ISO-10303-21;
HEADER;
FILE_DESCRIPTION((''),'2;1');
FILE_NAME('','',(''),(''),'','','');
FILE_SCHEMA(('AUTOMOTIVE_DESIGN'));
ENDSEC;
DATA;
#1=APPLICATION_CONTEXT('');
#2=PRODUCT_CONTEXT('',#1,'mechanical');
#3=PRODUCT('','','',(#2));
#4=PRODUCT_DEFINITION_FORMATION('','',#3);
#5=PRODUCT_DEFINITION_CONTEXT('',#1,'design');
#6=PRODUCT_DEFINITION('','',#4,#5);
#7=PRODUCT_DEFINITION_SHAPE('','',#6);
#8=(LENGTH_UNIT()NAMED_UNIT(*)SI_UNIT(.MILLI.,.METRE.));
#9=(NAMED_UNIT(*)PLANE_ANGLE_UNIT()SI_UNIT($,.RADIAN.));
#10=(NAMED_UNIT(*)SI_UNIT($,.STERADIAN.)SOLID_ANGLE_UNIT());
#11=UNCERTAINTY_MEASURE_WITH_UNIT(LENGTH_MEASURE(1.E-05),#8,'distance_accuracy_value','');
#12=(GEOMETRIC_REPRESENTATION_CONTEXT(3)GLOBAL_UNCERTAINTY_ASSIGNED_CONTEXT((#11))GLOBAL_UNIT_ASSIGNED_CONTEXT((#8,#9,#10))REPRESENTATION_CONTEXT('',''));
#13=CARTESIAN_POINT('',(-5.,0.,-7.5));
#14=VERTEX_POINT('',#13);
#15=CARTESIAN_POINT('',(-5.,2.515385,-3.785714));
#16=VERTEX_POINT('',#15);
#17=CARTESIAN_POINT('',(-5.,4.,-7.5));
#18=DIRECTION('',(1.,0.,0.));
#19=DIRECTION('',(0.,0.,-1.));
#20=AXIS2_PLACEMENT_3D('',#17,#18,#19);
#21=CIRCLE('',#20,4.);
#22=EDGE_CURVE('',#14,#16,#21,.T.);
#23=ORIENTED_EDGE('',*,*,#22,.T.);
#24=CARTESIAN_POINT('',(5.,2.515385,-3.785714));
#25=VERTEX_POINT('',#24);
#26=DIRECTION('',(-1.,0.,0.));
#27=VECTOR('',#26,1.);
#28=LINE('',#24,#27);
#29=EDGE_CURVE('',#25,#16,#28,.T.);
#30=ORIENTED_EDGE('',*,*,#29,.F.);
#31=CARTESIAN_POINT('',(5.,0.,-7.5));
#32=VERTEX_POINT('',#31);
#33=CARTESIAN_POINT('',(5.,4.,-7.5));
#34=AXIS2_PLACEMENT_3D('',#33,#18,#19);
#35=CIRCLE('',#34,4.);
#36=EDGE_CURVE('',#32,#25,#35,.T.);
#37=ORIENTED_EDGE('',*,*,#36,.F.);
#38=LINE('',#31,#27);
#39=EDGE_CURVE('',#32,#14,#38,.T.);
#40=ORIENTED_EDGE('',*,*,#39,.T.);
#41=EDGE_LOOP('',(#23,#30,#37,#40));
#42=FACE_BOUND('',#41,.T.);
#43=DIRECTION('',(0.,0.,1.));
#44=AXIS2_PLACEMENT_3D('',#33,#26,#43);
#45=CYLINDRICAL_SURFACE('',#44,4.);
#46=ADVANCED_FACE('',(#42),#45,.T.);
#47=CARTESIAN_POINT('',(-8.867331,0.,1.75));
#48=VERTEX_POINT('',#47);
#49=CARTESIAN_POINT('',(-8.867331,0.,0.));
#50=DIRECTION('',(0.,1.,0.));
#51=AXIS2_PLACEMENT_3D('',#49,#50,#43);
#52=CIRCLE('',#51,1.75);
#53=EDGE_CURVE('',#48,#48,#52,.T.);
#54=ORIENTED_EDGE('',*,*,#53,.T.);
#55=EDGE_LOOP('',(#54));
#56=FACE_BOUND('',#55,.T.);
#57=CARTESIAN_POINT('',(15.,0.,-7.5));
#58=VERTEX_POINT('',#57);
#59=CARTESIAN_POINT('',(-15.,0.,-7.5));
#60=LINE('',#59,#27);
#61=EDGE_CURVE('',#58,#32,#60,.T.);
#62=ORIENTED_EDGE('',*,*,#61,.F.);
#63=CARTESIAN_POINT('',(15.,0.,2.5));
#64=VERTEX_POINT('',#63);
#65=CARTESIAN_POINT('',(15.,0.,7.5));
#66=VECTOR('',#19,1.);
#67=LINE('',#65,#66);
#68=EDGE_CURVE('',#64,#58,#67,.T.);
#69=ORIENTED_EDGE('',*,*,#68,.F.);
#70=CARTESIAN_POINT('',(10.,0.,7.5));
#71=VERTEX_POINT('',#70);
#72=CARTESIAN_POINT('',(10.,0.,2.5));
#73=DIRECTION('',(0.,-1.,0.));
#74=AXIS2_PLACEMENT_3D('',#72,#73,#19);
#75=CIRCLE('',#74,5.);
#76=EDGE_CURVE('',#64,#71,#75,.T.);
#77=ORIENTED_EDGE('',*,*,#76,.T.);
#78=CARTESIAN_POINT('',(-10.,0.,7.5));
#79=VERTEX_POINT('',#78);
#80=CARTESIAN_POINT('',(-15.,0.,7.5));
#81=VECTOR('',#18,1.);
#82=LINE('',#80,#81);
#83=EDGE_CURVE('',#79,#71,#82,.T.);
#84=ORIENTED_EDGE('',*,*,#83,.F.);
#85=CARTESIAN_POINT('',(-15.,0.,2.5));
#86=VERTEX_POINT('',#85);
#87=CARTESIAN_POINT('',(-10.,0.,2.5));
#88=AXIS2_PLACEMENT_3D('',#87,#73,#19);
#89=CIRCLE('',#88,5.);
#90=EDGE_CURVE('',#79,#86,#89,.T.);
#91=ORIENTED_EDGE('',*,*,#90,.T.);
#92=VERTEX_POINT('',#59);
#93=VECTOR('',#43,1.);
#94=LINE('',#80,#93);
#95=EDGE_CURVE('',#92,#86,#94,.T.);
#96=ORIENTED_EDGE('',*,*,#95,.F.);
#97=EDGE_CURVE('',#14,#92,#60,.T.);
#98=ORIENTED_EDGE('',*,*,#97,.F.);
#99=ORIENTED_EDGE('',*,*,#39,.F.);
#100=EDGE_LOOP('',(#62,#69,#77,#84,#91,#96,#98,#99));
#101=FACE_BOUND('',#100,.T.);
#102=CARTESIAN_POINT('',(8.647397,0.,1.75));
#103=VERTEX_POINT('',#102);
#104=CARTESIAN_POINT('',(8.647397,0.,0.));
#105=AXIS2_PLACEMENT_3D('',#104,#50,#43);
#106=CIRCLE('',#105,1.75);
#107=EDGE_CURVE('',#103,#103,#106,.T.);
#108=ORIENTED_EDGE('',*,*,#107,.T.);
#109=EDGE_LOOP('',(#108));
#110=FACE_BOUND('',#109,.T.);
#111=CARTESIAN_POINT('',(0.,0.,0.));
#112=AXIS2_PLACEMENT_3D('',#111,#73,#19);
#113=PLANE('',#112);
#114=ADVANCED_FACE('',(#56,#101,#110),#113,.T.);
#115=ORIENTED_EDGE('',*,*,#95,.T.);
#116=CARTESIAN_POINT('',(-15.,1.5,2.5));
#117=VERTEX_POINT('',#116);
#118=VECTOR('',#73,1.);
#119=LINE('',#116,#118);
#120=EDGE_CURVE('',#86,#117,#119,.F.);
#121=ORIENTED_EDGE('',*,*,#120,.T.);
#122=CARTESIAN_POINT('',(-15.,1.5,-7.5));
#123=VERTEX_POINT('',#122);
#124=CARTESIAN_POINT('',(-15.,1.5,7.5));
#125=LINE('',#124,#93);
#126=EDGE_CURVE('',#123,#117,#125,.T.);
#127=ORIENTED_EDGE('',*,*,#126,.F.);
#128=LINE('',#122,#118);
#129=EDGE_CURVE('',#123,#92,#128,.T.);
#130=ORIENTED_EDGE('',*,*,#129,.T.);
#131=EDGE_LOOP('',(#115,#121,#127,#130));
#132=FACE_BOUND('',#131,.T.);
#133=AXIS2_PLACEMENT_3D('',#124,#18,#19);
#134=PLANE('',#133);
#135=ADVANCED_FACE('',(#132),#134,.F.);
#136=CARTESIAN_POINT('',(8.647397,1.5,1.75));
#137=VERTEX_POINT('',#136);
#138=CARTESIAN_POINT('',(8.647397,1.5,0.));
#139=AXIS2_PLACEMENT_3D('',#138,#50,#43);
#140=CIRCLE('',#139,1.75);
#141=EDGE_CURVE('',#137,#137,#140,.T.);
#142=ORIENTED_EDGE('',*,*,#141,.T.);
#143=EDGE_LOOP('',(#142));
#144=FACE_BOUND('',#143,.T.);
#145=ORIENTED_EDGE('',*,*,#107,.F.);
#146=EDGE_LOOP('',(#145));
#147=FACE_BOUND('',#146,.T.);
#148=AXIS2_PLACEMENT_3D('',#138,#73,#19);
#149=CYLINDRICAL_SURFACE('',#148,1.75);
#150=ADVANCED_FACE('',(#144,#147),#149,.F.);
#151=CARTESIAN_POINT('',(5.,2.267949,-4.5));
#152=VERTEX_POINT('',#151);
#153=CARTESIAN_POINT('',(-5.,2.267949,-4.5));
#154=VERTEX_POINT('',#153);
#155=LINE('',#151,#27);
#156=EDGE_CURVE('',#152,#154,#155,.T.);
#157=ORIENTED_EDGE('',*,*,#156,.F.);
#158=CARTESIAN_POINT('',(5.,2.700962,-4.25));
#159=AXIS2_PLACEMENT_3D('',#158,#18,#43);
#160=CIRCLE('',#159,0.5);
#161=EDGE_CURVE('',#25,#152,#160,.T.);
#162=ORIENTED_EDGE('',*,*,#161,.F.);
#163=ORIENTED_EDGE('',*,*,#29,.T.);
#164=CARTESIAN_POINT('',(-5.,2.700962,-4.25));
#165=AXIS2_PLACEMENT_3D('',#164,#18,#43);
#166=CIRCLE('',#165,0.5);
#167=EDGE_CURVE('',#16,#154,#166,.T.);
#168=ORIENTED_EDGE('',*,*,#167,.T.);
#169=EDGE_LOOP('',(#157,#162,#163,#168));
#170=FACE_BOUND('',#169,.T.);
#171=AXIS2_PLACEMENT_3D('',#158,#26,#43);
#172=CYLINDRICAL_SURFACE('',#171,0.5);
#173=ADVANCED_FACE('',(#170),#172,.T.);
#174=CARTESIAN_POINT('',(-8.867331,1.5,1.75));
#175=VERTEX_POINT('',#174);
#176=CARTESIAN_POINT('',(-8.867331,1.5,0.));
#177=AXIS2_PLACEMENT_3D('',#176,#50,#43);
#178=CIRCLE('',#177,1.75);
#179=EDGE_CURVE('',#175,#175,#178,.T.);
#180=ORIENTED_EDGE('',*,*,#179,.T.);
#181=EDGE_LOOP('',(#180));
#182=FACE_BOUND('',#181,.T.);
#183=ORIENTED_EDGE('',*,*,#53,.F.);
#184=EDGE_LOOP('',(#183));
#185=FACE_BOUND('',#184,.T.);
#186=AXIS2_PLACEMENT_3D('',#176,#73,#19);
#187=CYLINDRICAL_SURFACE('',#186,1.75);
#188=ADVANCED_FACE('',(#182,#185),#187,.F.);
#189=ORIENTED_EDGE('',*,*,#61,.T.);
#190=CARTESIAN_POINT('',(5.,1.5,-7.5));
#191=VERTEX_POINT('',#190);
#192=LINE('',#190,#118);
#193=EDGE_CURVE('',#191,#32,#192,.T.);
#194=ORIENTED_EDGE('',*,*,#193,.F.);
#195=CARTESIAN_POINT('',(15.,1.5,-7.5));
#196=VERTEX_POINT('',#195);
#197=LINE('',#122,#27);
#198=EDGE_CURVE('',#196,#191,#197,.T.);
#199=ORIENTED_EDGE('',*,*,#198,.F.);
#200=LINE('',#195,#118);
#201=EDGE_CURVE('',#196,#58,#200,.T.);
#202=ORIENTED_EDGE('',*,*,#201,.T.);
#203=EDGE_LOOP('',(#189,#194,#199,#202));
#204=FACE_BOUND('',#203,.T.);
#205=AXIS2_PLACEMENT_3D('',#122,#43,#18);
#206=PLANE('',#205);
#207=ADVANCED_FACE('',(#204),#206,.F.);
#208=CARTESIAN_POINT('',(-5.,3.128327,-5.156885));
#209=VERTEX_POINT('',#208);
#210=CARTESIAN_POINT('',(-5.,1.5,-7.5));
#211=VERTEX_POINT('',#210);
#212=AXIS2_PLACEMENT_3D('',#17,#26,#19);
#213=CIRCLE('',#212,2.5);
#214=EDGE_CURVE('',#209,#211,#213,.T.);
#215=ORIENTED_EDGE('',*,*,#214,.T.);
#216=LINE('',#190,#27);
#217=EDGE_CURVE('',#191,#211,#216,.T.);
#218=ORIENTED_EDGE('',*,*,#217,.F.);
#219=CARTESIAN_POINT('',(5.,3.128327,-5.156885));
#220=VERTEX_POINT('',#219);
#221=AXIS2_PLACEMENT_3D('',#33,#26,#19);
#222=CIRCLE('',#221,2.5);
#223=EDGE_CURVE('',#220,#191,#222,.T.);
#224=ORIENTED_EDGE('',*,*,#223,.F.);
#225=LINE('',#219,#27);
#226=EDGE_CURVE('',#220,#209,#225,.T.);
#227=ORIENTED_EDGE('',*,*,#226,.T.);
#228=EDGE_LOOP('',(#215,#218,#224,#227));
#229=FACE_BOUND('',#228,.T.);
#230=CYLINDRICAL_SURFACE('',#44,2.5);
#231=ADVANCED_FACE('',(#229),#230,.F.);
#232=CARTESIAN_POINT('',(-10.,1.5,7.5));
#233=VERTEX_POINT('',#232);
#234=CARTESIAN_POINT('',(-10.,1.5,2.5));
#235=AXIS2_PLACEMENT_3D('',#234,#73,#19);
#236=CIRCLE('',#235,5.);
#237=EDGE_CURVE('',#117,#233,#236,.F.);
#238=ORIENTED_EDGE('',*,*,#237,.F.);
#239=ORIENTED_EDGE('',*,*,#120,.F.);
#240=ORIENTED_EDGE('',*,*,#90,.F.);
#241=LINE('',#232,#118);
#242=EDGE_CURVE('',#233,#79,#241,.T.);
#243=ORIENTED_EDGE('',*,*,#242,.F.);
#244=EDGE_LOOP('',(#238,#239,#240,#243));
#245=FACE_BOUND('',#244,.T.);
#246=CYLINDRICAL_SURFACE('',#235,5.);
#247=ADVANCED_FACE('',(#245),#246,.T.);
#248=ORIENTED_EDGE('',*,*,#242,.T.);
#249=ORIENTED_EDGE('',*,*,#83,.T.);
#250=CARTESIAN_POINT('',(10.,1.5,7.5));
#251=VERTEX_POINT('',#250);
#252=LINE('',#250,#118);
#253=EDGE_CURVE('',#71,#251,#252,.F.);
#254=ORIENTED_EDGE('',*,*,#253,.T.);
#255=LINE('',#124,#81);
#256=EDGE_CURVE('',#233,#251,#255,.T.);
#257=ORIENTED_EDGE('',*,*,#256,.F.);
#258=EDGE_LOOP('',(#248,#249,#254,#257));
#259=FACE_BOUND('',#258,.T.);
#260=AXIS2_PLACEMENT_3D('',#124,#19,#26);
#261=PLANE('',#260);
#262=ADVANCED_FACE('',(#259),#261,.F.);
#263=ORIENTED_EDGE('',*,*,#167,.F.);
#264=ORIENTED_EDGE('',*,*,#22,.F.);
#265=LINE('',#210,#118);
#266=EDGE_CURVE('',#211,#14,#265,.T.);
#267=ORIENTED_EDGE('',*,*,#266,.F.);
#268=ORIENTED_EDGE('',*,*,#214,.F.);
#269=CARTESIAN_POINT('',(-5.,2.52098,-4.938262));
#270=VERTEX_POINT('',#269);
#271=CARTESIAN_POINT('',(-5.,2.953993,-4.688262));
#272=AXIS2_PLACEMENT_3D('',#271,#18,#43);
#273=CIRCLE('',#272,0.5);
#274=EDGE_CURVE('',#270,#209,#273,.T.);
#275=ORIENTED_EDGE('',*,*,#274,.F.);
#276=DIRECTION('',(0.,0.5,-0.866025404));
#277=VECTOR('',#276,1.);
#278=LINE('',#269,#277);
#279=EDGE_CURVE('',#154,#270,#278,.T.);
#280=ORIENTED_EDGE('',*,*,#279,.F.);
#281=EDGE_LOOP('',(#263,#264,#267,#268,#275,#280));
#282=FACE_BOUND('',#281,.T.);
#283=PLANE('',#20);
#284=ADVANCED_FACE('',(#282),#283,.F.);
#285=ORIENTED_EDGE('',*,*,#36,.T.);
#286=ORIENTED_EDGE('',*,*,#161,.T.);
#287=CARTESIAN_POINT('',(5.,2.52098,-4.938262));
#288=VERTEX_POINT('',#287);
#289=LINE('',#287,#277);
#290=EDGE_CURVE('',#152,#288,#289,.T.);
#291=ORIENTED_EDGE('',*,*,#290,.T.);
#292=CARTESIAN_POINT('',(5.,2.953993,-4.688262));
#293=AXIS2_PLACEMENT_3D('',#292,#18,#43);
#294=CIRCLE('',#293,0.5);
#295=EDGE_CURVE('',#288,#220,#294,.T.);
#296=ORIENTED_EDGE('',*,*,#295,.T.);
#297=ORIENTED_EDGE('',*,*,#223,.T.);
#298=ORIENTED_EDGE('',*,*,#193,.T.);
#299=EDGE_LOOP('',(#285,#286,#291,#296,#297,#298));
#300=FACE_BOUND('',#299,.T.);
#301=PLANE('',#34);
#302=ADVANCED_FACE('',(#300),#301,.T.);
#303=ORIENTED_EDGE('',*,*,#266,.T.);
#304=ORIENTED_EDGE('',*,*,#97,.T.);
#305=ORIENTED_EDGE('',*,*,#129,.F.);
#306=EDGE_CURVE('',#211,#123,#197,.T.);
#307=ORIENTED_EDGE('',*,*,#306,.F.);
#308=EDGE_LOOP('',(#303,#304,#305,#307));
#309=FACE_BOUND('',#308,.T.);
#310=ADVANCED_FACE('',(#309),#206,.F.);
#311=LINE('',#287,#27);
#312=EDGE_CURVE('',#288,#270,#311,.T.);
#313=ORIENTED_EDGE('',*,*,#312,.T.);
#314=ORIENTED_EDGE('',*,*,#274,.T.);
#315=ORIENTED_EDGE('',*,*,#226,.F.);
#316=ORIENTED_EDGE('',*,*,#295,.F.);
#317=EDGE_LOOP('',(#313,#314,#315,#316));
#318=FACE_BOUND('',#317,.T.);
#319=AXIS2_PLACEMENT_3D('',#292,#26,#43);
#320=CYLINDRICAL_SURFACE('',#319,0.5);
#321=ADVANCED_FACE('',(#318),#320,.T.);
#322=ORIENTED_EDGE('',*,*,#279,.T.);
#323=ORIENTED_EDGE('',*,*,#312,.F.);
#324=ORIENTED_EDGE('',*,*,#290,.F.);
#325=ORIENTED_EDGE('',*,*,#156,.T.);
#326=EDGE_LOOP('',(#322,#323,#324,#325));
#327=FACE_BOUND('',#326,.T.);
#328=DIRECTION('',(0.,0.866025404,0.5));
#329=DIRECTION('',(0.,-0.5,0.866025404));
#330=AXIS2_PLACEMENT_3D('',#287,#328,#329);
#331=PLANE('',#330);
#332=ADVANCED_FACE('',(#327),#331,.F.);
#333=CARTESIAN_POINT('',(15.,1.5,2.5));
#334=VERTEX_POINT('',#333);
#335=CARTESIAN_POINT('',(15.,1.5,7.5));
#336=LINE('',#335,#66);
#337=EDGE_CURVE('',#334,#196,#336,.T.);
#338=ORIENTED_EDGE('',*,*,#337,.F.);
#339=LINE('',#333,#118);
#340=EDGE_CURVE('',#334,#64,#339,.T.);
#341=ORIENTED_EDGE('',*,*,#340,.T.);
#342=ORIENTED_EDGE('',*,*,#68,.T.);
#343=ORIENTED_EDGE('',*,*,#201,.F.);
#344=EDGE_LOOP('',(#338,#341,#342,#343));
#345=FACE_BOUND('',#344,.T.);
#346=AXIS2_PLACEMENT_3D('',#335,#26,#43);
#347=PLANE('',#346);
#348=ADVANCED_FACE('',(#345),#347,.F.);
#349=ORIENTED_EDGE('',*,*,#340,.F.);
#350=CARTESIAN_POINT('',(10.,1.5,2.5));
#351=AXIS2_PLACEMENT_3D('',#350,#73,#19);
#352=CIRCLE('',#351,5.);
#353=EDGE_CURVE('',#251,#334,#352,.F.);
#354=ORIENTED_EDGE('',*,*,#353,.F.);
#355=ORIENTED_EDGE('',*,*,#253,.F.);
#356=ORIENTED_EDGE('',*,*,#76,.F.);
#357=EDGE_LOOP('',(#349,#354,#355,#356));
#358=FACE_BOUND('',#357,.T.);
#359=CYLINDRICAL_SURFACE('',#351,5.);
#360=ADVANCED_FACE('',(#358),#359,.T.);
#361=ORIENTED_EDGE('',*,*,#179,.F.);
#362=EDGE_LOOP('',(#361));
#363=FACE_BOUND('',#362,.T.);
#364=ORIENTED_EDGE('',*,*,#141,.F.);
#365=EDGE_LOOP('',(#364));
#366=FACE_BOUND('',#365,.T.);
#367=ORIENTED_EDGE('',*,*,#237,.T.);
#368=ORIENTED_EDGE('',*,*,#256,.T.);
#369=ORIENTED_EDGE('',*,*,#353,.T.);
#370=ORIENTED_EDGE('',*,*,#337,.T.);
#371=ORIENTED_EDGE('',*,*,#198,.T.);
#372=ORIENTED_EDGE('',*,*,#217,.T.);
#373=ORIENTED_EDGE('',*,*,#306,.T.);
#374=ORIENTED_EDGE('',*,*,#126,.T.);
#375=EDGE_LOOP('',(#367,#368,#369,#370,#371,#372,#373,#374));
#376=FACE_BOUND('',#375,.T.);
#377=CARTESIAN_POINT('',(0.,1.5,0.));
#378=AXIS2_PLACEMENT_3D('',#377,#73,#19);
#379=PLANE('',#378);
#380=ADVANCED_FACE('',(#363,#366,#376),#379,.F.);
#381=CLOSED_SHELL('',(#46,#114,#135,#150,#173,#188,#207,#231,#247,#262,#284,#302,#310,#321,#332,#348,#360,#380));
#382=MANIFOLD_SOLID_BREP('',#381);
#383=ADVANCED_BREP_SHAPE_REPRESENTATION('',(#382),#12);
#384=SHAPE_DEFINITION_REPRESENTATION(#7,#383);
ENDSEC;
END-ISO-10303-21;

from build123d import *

# Parameters (mm, degrees)
SKETCH_1_W      = 30
SKETCH_1_H      = 15
SKETCH_1_R      = 1.75
EXTRUDE_1_DEPTH = 1.5
FILLET_1_R      = 5
EXTRUDE_3_DEPTH = 5


with BuildPart() as part:
    # 草图1 → 凸台-拉伸1 (new body)
    with BuildSketch(Plane(origin=(0, 0, 0), x_dir=(1, 0, 0), z_dir=(0, 1, 0))):
        Rectangle(SKETCH_1_W, SKETCH_1_H)
        with Locations(Location((-8.867330988, 0, 0), (0, 0, 270))):
            Circle(SKETCH_1_R, mode=Mode.SUBTRACT)
        with Locations(Location((8.647397187, 0, 0), (0, 0, 270))):
            Circle(SKETCH_1_R, mode=Mode.SUBTRACT)
    extrude(amount=EXTRUDE_1_DEPTH)

    # 圆角1
    fillet_1_edges = [part.edges().sort_by_distance(p)[0] for p in [
        (15, 0.75, 7.5),
        (-15, 0.75, 7.5),
    ]]
    fillet(fillet_1_edges, radius=FILLET_1_R)

    # 草图2 → 凸台-拉伸3 (add, symmetric)
    with BuildSketch(Plane(origin=(0, 0, 0), x_dir=(0, 0, -1), z_dir=(1, 0, 0))):
        with BuildLine():
            Line((4.938262309, 2.520980054), (4.5, 2.267949192))
            ThreePointArc((4.5, 2.267949192), (4.086336582, 2.228506303), (3.785714286, 2.515385022))
            ThreePointArc((3.785714286, 2.515385022), (9.742937815, 7.311982783), (7.5, 0))
            Line((7.5, 0), (7.5, 1.5))
            ThreePointArc((7.5, 1.5), (8.926677651, 6.052946877), (5.156885257, 3.128327297))
            ThreePointArc((5.156885257, 3.128327297), (5.15871146, 2.784648148), (4.938262309, 2.520980054))
        make_face()
    extrude(amount=EXTRUDE_3_DEPTH, both=True)


solid = part.part
